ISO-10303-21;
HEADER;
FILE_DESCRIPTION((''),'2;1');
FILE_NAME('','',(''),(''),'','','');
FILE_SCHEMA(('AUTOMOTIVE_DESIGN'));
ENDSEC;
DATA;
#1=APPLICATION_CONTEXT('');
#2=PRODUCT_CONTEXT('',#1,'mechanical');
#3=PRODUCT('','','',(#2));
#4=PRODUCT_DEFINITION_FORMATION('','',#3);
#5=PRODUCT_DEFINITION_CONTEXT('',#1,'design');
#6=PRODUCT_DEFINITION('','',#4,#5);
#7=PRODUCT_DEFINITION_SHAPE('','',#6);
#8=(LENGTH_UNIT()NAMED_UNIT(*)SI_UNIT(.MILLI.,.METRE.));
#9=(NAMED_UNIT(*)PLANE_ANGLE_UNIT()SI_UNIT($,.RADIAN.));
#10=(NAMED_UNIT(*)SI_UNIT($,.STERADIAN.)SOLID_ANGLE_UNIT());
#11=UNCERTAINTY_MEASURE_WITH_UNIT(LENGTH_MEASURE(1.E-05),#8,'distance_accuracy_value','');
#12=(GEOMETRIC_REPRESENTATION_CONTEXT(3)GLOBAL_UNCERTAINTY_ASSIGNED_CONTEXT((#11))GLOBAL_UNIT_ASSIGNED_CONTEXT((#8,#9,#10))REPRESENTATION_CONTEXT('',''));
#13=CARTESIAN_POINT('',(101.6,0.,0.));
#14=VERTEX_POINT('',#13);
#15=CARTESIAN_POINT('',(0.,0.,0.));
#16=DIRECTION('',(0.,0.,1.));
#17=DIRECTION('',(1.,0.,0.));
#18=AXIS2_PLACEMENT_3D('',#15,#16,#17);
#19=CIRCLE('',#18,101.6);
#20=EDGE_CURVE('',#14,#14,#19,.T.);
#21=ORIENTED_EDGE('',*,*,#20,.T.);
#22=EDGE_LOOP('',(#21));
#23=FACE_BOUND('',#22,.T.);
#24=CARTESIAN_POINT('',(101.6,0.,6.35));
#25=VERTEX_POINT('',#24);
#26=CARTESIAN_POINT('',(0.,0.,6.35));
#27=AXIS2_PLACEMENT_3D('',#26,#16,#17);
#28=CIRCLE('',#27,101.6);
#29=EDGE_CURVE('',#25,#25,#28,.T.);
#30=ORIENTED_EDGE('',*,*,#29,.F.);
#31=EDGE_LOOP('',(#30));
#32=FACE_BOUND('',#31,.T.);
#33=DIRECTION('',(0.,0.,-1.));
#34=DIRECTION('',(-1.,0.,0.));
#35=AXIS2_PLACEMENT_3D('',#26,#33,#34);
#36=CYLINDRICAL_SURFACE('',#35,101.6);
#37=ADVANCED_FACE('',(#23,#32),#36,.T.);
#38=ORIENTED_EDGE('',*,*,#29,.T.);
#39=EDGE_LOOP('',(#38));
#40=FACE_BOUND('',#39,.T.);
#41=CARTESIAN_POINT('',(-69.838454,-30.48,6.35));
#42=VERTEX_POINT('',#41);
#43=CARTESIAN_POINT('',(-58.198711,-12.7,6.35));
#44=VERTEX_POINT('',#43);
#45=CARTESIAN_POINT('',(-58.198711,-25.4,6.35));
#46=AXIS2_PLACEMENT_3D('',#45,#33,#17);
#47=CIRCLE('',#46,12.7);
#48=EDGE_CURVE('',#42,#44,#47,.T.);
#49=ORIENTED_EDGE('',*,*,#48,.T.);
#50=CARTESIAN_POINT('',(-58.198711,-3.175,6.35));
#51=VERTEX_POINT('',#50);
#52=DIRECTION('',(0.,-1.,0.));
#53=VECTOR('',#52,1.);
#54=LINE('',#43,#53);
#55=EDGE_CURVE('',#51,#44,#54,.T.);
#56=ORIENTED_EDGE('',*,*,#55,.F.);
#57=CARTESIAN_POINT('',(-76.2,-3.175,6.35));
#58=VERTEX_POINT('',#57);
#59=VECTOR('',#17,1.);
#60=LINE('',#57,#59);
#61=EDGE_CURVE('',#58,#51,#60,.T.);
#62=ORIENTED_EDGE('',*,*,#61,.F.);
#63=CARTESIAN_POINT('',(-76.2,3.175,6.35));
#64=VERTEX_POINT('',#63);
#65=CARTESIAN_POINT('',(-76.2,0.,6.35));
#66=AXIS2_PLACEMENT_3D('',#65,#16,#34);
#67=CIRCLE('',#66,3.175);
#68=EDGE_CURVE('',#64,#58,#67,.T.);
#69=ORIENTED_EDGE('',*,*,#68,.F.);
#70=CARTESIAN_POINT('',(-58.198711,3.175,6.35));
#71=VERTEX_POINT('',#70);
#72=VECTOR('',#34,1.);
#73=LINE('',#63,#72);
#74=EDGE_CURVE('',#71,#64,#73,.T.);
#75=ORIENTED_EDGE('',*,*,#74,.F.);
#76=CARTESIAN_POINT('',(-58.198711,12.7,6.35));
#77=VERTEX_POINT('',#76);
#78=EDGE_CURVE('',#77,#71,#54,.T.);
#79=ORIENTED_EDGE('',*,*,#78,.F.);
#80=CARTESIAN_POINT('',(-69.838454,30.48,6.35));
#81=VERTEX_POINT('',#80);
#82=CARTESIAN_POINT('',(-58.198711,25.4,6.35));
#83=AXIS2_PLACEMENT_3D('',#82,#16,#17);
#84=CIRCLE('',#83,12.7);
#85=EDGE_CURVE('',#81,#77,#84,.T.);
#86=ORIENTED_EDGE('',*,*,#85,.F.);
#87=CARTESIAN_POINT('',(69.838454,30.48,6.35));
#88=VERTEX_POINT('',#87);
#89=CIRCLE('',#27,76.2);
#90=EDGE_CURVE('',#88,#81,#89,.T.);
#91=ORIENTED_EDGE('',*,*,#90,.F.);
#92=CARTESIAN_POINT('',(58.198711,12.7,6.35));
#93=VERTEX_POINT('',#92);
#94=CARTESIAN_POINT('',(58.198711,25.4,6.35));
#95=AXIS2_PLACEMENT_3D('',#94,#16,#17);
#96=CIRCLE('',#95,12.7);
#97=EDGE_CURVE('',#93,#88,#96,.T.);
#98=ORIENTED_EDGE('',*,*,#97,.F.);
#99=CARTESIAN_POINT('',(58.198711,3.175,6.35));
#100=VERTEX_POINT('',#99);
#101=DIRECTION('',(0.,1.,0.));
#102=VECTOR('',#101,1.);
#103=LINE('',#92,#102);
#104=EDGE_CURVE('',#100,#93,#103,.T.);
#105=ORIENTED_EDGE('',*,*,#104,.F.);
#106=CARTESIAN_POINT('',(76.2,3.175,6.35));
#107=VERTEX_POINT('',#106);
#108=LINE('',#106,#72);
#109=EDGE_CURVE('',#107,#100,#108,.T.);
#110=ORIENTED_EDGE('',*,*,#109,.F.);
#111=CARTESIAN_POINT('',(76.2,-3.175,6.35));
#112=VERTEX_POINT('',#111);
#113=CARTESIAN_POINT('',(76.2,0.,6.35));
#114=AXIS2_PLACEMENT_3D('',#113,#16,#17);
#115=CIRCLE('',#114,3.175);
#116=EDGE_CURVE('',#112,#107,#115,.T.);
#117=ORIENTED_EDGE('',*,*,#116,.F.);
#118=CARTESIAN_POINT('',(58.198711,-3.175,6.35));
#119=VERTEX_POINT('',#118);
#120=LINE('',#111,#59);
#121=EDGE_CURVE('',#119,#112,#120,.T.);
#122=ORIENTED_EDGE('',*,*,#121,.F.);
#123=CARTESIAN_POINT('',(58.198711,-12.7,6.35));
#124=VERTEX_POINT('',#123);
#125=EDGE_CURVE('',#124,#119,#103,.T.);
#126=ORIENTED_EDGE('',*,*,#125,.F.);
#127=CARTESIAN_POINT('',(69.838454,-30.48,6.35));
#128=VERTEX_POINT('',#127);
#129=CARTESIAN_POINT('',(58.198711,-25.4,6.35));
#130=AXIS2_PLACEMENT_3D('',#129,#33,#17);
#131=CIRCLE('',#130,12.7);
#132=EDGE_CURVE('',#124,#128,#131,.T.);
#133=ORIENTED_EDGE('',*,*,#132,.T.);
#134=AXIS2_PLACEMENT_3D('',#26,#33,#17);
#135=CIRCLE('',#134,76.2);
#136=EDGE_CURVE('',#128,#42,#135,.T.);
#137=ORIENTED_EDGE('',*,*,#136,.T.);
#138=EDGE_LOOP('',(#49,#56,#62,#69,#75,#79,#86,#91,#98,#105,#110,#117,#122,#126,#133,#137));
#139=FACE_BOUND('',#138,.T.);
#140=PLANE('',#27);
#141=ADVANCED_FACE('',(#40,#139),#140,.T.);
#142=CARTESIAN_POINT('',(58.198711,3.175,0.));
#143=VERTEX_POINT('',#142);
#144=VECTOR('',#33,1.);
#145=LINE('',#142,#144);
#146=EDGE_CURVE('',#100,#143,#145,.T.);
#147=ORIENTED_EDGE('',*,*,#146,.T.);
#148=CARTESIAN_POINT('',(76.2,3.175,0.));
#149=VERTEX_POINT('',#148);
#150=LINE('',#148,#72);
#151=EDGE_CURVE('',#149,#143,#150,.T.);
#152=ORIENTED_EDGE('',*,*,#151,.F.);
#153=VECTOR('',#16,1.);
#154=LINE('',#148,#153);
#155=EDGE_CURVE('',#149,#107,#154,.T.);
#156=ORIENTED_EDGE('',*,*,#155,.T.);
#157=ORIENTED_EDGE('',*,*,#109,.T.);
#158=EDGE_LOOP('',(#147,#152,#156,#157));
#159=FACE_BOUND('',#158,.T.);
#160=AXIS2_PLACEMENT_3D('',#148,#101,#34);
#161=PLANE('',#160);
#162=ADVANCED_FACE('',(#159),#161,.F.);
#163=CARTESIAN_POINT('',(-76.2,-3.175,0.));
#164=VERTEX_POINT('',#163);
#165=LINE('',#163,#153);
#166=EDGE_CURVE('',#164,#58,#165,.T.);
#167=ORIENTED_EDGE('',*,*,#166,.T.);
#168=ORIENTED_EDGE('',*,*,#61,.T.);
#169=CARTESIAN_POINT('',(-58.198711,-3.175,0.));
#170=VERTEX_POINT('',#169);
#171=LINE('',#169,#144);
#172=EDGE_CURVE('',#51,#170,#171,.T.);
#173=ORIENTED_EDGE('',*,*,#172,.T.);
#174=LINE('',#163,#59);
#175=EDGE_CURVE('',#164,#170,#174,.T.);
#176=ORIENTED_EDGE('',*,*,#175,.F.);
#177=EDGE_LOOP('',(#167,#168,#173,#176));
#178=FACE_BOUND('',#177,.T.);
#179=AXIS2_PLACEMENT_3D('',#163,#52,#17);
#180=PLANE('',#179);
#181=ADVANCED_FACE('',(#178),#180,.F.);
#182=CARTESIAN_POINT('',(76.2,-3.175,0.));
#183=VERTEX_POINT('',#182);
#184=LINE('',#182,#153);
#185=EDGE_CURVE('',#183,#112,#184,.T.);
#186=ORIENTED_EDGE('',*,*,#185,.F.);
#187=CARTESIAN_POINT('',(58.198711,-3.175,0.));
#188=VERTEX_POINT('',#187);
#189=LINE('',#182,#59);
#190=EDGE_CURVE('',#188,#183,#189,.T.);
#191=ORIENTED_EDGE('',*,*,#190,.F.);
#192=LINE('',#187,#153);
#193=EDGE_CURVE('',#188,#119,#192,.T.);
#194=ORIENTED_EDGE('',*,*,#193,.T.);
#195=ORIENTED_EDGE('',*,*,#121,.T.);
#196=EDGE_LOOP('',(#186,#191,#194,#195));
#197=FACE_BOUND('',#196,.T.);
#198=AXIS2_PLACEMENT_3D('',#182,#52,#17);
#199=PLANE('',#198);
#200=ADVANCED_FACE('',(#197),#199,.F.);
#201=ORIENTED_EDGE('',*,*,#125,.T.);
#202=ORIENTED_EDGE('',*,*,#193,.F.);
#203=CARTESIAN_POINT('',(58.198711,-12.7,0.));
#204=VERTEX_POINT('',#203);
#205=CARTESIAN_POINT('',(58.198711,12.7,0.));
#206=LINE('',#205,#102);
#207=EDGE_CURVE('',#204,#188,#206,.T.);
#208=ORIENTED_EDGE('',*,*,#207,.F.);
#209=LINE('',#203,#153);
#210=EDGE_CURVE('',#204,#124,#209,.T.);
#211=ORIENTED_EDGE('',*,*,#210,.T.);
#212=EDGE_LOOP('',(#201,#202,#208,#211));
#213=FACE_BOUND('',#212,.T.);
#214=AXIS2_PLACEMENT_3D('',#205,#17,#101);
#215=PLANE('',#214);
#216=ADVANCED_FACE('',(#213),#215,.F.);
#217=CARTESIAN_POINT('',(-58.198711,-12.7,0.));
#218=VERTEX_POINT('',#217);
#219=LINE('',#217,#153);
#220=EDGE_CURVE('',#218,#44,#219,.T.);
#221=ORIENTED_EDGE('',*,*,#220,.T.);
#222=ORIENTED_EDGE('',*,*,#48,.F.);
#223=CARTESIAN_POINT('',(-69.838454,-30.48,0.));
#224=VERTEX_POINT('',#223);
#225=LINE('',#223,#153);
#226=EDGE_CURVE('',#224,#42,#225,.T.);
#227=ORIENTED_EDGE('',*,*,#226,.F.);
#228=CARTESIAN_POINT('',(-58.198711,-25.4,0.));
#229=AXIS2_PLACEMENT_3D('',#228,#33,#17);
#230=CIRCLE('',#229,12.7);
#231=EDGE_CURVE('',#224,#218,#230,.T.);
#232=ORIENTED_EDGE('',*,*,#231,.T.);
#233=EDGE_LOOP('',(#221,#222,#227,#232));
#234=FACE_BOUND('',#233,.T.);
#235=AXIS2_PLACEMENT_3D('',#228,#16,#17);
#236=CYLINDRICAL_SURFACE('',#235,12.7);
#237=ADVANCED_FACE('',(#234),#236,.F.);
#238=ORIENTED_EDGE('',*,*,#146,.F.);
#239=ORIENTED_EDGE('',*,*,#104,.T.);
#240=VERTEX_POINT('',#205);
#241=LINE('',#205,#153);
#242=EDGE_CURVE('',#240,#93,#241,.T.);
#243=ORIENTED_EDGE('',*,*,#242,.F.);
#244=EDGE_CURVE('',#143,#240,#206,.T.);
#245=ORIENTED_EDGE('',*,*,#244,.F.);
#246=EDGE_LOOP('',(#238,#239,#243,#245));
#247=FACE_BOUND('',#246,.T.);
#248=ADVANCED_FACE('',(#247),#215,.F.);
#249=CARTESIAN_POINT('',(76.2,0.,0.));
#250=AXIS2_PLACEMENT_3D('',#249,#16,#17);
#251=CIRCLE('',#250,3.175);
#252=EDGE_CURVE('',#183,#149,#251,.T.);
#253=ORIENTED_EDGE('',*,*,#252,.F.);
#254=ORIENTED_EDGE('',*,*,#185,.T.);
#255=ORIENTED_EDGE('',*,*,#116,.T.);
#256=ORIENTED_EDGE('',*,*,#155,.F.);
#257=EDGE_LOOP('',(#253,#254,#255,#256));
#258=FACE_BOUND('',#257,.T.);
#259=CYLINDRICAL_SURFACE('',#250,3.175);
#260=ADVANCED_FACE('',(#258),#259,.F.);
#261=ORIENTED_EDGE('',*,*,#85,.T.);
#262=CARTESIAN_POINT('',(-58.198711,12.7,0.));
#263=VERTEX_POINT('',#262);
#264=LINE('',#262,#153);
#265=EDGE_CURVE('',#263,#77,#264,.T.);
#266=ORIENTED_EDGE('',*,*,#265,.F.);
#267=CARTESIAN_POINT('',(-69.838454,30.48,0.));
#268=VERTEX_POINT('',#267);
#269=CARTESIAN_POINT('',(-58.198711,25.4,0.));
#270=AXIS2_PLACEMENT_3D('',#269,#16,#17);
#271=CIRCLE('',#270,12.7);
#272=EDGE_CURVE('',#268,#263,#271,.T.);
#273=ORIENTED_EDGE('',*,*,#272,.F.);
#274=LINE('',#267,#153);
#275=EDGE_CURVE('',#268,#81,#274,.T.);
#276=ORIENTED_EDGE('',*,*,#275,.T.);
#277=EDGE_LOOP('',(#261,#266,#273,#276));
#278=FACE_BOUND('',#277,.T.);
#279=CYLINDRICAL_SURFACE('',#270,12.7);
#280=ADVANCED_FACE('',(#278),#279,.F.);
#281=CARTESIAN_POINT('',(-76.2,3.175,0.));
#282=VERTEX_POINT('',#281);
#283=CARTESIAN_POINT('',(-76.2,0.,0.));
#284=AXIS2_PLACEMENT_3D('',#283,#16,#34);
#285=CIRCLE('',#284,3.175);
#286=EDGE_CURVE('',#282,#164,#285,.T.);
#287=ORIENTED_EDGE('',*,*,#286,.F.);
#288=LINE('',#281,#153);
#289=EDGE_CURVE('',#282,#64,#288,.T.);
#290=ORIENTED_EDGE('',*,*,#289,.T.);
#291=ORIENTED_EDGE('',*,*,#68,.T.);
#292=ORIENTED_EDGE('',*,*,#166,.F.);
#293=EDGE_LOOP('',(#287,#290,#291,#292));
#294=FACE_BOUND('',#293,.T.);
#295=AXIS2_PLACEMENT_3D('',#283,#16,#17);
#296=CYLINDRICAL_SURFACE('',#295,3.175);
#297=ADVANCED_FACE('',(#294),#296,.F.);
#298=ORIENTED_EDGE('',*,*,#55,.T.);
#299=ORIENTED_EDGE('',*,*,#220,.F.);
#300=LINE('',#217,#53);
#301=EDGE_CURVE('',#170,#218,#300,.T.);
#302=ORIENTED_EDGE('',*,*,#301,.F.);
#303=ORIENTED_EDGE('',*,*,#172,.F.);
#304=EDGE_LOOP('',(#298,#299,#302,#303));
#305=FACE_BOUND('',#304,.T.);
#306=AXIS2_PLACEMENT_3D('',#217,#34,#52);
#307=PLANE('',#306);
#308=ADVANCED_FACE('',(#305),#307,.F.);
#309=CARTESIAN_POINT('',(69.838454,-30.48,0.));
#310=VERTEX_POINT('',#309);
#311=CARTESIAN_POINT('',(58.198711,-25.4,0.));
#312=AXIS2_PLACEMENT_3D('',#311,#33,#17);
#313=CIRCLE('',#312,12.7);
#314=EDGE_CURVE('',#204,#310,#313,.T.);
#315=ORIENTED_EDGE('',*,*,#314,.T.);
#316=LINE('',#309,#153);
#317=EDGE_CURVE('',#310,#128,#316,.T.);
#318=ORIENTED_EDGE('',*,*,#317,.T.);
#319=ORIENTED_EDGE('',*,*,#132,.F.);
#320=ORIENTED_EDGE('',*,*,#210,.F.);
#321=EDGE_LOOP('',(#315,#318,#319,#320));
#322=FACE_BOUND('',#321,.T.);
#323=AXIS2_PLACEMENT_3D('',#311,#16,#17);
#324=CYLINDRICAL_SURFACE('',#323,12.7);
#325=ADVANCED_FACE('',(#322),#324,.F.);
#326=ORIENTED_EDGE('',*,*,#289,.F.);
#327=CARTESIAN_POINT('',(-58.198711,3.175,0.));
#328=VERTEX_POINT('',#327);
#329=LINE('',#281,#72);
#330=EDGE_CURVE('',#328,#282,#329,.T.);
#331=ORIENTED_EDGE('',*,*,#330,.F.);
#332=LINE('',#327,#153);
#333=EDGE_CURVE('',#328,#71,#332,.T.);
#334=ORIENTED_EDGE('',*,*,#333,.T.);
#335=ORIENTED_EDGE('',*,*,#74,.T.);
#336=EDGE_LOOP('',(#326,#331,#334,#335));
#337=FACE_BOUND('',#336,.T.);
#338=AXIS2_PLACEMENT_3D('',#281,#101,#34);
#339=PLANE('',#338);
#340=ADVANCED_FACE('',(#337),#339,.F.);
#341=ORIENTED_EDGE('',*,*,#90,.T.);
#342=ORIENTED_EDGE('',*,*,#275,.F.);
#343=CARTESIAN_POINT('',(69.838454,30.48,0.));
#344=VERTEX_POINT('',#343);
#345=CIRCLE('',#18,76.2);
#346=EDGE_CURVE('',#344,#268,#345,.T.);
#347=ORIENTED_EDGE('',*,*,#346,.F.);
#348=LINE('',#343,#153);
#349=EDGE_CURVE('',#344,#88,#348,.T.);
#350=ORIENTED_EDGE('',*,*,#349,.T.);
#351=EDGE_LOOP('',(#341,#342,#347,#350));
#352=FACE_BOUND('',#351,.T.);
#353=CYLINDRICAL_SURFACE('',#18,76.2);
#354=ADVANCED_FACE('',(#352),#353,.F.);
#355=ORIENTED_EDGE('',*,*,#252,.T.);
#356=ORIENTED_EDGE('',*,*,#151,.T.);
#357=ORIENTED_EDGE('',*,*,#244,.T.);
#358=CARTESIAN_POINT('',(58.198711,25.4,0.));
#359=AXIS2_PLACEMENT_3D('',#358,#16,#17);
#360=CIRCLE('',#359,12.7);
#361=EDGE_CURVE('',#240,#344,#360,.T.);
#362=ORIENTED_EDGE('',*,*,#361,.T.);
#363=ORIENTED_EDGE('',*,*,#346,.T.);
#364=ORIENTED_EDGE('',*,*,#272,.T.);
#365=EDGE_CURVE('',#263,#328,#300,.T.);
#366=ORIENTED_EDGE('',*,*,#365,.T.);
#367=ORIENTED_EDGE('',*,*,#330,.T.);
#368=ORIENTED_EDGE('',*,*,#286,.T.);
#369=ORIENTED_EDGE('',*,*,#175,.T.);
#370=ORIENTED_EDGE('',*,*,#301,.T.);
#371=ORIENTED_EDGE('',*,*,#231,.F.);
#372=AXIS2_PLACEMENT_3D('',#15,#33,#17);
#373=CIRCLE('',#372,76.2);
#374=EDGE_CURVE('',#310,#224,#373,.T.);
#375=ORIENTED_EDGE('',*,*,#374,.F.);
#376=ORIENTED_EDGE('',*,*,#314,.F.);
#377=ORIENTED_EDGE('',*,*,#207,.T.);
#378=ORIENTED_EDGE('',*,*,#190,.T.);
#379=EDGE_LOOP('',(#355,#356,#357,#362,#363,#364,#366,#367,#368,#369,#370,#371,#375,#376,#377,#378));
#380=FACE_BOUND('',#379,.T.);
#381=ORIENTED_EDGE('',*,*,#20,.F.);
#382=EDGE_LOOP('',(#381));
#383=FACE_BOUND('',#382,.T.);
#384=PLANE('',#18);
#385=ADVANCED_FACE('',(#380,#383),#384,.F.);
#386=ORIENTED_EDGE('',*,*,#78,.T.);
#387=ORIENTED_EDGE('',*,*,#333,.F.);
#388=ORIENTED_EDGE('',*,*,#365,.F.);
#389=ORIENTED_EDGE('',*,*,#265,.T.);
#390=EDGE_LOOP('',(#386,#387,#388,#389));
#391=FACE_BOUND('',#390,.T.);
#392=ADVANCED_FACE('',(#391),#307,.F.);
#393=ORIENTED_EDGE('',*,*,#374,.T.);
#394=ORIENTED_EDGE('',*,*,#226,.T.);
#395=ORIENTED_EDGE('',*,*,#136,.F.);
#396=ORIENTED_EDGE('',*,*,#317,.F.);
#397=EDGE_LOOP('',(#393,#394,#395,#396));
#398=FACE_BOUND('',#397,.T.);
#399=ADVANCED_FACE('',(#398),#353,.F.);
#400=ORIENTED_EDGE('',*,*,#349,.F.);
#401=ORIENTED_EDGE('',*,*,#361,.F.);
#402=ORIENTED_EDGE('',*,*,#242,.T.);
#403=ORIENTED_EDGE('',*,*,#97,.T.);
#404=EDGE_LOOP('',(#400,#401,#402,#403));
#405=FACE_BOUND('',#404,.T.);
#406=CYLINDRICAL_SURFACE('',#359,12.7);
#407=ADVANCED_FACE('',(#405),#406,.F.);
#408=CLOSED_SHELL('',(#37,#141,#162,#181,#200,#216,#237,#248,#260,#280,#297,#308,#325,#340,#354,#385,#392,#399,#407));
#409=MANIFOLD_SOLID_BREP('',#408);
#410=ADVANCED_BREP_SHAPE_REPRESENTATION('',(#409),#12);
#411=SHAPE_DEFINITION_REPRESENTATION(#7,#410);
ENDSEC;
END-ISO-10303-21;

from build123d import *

# Parameters (mm, degrees)
SKETCH1_R           = 101.6
BOSS_EXTRUDE1_DEPTH = 6.35
SKETCH2_R           = 25.4
CUT_EXTRUDE1_DEPTH  = 7.35
CUT_EXTRUDE2_DEPTH  = 7.35
CUT_EXTRUDE3_DEPTH  = 7.35
CUT_EXTRUDE10_DEPTH = 7.35


with BuildPart() as part:
    # Sketch1 → Boss-Extrude1 (new body)
    with BuildSketch(Plane.XY):
        Circle(SKETCH1_R)
    extrude(amount=BOSS_EXTRUDE1_DEPTH)

    # Sketch2 → Cut-Extrude1 (cut, through all)
    with BuildSketch(Plane.XY.offset(6.35)):
        Circle(SKETCH2_R)
    extrude(amount=-CUT_EXTRUDE1_DEPTH, mode=Mode.SUBTRACT)

    # Sketch3 → Cut-Extrude2 (cut, through all)
    with BuildSketch(Plane.XY.offset(6.35)):
        with BuildLine():
            ThreePointArc((69.838453591, 30.48), (0, 76.2), (-69.838453591, 30.48))
            ThreePointArc((-69.838453591, 30.48), (-63.278711326, 13.760257735), (-46.558969061, 20.32))
            ThreePointArc((-46.558969061, 20.32), (0, 50.8), (46.558969061, 20.32))
            ThreePointArc((46.558969061, 20.32), (63.278711326, 13.760257735), (69.838453591, 30.48))
        make_face()
    cut_extrude2 = extrude(amount=-CUT_EXTRUDE2_DEPTH, mode=Mode.SUBTRACT)

    # Mirror1: Cut-Extrude2 across plane
    add(cut_extrude2.mirror(Plane.ZX), mode=Mode.SUBTRACT)

    # Sketch4 → Cut-Extrude3 (cut, through all)
    with BuildSketch(Plane.XY.offset(6.35)):
        with BuildLine():
            Line((76.2, -3.175), (25.4, -3.175))
            ThreePointArc((25.4, -3.175), (22.225, 0), (25.4, 3.175))
            Line((25.4, 3.175), (76.2, 3.175))
            ThreePointArc((76.2, 3.175), (79.375, 0), (76.2, -3.175))
        make_face()
        with BuildLine():
            Line((-76.2, -3.175), (-25.4, -3.175))
            ThreePointArc((-25.4, -3.175), (-22.225, 0), (-25.4, 3.175))
            Line((-25.4, 3.175), (-76.2, 3.175))
            ThreePointArc((-76.2, 3.175), (-79.375, 0), (-76.2, -3.175))
        make_face()
    extrude(amount=-CUT_EXTRUDE3_DEPTH, mode=Mode.SUBTRACT)

    # Sketch14 → Cut-Extrude10 (cut, through all)
    with BuildSketch(Plane.XY.offset(6.35)):
        with BuildLine():
            Line((-58.198711326, -12.7), (-58.198711326, 12.7))
            ThreePointArc((-58.198711326, 12.7), (-51.242634846, 14.774417663), (-46.558969061, 20.32))
            ThreePointArc((-46.558969061, 20.32), (0, 50.8), (46.558969061, 20.32))
            ThreePointArc((46.558969061, 20.32), (51.242634846, 14.774417663), (58.198711326, 12.7))
            Line((58.198711326, 12.7), (58.198711326, -12.7))
            ThreePointArc((58.198711326, -12.7), (51.242634846, -14.774417663), (46.558969061, -20.32))
            ThreePointArc((46.558969061, -20.32), (0, -50.8), (-46.558969061, -20.32))
            ThreePointArc((-46.558969061, -20.32), (-51.242634846, -14.774417663), (-58.198711326, -12.7))
        make_face()
    extrude(amount=-CUT_EXTRUDE10_DEPTH, mode=Mode.SUBTRACT)


solid = part.part
